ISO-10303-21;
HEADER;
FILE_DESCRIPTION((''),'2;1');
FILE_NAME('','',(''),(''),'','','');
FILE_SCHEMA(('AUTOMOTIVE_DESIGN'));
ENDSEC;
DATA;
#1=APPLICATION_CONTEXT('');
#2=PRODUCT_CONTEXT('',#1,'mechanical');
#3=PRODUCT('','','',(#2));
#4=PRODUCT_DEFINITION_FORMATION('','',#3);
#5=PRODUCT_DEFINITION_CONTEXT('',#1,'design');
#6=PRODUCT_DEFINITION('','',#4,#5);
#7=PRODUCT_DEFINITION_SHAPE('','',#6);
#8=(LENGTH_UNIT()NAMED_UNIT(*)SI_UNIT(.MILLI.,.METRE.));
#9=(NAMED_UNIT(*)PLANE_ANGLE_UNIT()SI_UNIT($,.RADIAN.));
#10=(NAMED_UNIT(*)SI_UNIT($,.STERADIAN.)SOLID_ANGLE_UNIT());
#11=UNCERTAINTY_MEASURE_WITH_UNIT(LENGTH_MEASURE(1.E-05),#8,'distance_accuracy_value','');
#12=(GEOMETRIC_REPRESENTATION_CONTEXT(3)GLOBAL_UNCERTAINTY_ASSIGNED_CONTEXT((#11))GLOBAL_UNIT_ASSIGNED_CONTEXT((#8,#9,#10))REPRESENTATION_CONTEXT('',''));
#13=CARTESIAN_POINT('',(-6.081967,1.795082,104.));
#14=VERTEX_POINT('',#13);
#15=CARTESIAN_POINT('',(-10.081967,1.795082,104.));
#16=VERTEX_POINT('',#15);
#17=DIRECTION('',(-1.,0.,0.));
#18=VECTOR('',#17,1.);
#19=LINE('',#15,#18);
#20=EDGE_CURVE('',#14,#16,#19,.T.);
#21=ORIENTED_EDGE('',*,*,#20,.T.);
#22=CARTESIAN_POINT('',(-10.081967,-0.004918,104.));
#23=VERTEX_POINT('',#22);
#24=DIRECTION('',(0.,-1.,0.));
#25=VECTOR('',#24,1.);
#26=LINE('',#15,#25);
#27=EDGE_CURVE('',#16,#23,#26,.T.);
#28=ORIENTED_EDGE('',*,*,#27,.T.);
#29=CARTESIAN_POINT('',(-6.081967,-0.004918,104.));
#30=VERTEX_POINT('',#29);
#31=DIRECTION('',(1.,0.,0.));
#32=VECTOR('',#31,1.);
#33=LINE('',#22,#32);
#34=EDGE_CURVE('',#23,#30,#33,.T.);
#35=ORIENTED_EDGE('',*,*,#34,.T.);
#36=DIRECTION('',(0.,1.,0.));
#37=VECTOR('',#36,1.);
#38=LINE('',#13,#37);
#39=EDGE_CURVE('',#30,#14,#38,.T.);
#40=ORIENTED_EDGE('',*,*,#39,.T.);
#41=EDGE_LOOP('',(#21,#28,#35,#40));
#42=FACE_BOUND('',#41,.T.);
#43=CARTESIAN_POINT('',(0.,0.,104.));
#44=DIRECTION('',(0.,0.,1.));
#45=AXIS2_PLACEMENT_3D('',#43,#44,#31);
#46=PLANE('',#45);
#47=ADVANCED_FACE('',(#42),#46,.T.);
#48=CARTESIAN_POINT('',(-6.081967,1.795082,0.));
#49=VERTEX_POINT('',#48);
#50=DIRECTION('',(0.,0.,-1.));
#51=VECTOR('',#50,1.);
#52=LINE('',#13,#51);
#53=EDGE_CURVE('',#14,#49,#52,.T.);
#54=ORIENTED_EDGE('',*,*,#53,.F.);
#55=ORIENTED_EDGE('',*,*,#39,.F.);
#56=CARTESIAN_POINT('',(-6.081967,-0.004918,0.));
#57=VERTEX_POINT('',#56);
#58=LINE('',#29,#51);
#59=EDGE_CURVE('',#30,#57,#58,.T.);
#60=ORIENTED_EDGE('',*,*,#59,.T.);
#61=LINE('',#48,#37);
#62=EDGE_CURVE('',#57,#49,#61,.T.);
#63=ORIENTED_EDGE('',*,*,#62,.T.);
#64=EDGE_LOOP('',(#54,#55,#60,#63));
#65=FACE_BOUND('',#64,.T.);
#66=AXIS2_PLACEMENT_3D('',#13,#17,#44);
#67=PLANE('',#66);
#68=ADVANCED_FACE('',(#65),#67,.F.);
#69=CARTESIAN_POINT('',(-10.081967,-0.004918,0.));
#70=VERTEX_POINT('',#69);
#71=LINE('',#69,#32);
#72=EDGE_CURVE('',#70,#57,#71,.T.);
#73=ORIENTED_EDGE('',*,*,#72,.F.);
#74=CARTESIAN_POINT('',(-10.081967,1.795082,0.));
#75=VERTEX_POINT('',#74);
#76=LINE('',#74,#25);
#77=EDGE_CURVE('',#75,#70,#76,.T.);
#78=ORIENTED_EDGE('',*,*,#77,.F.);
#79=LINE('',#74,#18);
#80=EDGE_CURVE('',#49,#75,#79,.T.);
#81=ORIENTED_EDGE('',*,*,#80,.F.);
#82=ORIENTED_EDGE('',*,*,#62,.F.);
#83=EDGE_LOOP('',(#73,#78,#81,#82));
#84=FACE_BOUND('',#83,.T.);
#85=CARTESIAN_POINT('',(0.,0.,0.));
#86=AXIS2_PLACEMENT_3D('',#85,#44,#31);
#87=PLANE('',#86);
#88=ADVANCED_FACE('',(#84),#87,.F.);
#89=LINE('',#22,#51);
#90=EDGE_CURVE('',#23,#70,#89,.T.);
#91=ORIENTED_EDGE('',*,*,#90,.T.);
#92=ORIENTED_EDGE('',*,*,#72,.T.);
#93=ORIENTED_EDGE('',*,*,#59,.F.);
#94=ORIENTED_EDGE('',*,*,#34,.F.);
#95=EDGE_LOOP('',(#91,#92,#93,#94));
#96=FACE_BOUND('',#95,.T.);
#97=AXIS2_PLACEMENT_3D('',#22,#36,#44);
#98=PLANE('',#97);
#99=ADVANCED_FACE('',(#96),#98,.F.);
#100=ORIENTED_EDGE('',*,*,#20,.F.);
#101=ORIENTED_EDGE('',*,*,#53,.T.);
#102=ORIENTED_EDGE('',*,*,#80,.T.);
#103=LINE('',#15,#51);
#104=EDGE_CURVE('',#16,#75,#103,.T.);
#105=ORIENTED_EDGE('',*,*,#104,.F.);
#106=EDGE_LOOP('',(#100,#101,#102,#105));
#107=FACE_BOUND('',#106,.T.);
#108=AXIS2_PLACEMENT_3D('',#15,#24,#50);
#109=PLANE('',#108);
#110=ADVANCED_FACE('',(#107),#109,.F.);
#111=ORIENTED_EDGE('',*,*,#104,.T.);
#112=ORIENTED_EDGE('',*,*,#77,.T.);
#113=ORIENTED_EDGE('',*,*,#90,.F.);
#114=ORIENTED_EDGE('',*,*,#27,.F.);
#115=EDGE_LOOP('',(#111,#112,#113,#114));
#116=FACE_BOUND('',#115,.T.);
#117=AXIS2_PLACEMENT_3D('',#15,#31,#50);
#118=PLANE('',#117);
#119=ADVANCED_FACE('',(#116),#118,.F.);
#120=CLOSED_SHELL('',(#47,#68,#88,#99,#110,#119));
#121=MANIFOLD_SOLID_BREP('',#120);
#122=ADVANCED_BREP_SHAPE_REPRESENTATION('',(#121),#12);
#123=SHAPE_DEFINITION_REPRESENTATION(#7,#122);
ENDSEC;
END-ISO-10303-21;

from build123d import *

# Parameters (mm, degrees)
CROQUIS1_W              = 4
CROQUIS1_H              = 1.8
SALIENTE_EXTRUIR1_DEPTH = 104


with BuildPart() as part:
    # Croquis1 → Saliente-Extruir1 (new body)
    with BuildSketch(Plane.XY):
        with Locations((-8.081967213, 0.895081967)):
            Rectangle(CROQUIS1_W, CROQUIS1_H)
    extrude(amount=SALIENTE_EXTRUIR1_DEPTH)


solid = part.part
